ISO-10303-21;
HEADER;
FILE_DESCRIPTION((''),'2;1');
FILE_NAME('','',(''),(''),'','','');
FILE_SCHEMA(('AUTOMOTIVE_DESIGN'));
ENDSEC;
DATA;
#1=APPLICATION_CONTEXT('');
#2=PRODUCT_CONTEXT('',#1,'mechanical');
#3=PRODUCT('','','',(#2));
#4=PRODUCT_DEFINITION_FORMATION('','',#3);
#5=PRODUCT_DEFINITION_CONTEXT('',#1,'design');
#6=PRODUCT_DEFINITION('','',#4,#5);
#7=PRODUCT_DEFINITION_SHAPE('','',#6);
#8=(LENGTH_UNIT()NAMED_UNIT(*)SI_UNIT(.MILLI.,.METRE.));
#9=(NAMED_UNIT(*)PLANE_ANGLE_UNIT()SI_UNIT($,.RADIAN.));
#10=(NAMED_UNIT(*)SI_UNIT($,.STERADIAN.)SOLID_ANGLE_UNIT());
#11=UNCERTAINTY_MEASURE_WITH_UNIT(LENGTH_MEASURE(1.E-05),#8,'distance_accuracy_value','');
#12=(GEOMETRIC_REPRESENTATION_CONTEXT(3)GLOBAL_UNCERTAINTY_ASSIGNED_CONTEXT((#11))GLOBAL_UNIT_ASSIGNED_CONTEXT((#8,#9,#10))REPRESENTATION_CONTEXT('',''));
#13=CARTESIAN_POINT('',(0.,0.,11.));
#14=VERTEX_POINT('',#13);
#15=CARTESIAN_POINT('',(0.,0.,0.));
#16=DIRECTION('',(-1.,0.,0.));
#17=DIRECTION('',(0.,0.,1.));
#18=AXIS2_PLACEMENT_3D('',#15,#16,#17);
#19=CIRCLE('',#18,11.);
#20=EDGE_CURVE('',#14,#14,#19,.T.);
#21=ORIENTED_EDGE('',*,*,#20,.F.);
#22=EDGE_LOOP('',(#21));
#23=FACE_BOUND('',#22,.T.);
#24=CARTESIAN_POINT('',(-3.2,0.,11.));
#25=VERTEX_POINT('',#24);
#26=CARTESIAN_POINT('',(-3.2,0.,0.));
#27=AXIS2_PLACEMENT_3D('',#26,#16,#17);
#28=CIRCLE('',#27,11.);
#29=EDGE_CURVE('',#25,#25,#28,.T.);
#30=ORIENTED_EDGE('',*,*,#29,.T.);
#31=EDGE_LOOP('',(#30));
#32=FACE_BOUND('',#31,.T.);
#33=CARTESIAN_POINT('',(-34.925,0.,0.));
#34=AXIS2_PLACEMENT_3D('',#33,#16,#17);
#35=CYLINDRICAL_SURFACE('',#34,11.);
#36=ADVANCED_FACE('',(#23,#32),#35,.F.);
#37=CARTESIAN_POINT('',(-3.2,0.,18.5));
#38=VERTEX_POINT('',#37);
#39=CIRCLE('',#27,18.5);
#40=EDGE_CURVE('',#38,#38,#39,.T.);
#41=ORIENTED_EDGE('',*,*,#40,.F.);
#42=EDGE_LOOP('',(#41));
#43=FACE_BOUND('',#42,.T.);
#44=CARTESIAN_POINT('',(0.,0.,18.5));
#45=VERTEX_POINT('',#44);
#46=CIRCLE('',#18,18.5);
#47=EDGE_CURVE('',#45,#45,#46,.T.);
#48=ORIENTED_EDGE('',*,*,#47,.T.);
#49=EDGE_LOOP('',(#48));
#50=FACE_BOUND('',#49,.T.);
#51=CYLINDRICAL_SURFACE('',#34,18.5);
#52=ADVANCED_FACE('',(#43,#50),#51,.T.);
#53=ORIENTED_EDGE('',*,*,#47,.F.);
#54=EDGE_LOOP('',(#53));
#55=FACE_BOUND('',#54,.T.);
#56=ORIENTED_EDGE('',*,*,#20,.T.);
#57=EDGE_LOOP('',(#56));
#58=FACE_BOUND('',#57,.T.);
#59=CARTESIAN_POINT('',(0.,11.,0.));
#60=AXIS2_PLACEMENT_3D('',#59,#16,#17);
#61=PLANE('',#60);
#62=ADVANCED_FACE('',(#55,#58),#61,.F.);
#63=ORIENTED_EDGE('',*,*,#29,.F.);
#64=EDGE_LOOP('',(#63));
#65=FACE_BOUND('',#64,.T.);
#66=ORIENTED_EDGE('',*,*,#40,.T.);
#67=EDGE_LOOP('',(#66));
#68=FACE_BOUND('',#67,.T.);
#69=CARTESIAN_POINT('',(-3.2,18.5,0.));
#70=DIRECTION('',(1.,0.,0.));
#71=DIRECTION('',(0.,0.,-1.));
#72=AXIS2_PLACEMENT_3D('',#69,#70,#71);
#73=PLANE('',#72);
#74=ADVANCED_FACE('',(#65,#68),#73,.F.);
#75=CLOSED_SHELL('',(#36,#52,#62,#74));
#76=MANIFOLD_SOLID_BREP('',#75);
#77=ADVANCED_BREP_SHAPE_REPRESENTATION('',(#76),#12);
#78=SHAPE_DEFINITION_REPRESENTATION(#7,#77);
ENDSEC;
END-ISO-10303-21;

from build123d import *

# Parameters (mm, degrees)
SKETCH1_W = 3.2
SKETCH1_H = 7.5


with BuildPart() as part:
    # Sketch1 → Base-Revolve (revolve)
    with BuildSketch(Plane.XY, mode=Mode.PRIVATE) as base_revolve_sk:
        with Locations((-1.6, 14.75)):
            Rectangle(SKETCH1_W, SKETCH1_H)
    revolve(base_revolve_sk.sketch.rotate(Axis((-34.925, 0, 0), (1, 0, 0)), 90), axis=Axis((-34.925, 0, 0), (1, 0, 0)))


solid = part.part
